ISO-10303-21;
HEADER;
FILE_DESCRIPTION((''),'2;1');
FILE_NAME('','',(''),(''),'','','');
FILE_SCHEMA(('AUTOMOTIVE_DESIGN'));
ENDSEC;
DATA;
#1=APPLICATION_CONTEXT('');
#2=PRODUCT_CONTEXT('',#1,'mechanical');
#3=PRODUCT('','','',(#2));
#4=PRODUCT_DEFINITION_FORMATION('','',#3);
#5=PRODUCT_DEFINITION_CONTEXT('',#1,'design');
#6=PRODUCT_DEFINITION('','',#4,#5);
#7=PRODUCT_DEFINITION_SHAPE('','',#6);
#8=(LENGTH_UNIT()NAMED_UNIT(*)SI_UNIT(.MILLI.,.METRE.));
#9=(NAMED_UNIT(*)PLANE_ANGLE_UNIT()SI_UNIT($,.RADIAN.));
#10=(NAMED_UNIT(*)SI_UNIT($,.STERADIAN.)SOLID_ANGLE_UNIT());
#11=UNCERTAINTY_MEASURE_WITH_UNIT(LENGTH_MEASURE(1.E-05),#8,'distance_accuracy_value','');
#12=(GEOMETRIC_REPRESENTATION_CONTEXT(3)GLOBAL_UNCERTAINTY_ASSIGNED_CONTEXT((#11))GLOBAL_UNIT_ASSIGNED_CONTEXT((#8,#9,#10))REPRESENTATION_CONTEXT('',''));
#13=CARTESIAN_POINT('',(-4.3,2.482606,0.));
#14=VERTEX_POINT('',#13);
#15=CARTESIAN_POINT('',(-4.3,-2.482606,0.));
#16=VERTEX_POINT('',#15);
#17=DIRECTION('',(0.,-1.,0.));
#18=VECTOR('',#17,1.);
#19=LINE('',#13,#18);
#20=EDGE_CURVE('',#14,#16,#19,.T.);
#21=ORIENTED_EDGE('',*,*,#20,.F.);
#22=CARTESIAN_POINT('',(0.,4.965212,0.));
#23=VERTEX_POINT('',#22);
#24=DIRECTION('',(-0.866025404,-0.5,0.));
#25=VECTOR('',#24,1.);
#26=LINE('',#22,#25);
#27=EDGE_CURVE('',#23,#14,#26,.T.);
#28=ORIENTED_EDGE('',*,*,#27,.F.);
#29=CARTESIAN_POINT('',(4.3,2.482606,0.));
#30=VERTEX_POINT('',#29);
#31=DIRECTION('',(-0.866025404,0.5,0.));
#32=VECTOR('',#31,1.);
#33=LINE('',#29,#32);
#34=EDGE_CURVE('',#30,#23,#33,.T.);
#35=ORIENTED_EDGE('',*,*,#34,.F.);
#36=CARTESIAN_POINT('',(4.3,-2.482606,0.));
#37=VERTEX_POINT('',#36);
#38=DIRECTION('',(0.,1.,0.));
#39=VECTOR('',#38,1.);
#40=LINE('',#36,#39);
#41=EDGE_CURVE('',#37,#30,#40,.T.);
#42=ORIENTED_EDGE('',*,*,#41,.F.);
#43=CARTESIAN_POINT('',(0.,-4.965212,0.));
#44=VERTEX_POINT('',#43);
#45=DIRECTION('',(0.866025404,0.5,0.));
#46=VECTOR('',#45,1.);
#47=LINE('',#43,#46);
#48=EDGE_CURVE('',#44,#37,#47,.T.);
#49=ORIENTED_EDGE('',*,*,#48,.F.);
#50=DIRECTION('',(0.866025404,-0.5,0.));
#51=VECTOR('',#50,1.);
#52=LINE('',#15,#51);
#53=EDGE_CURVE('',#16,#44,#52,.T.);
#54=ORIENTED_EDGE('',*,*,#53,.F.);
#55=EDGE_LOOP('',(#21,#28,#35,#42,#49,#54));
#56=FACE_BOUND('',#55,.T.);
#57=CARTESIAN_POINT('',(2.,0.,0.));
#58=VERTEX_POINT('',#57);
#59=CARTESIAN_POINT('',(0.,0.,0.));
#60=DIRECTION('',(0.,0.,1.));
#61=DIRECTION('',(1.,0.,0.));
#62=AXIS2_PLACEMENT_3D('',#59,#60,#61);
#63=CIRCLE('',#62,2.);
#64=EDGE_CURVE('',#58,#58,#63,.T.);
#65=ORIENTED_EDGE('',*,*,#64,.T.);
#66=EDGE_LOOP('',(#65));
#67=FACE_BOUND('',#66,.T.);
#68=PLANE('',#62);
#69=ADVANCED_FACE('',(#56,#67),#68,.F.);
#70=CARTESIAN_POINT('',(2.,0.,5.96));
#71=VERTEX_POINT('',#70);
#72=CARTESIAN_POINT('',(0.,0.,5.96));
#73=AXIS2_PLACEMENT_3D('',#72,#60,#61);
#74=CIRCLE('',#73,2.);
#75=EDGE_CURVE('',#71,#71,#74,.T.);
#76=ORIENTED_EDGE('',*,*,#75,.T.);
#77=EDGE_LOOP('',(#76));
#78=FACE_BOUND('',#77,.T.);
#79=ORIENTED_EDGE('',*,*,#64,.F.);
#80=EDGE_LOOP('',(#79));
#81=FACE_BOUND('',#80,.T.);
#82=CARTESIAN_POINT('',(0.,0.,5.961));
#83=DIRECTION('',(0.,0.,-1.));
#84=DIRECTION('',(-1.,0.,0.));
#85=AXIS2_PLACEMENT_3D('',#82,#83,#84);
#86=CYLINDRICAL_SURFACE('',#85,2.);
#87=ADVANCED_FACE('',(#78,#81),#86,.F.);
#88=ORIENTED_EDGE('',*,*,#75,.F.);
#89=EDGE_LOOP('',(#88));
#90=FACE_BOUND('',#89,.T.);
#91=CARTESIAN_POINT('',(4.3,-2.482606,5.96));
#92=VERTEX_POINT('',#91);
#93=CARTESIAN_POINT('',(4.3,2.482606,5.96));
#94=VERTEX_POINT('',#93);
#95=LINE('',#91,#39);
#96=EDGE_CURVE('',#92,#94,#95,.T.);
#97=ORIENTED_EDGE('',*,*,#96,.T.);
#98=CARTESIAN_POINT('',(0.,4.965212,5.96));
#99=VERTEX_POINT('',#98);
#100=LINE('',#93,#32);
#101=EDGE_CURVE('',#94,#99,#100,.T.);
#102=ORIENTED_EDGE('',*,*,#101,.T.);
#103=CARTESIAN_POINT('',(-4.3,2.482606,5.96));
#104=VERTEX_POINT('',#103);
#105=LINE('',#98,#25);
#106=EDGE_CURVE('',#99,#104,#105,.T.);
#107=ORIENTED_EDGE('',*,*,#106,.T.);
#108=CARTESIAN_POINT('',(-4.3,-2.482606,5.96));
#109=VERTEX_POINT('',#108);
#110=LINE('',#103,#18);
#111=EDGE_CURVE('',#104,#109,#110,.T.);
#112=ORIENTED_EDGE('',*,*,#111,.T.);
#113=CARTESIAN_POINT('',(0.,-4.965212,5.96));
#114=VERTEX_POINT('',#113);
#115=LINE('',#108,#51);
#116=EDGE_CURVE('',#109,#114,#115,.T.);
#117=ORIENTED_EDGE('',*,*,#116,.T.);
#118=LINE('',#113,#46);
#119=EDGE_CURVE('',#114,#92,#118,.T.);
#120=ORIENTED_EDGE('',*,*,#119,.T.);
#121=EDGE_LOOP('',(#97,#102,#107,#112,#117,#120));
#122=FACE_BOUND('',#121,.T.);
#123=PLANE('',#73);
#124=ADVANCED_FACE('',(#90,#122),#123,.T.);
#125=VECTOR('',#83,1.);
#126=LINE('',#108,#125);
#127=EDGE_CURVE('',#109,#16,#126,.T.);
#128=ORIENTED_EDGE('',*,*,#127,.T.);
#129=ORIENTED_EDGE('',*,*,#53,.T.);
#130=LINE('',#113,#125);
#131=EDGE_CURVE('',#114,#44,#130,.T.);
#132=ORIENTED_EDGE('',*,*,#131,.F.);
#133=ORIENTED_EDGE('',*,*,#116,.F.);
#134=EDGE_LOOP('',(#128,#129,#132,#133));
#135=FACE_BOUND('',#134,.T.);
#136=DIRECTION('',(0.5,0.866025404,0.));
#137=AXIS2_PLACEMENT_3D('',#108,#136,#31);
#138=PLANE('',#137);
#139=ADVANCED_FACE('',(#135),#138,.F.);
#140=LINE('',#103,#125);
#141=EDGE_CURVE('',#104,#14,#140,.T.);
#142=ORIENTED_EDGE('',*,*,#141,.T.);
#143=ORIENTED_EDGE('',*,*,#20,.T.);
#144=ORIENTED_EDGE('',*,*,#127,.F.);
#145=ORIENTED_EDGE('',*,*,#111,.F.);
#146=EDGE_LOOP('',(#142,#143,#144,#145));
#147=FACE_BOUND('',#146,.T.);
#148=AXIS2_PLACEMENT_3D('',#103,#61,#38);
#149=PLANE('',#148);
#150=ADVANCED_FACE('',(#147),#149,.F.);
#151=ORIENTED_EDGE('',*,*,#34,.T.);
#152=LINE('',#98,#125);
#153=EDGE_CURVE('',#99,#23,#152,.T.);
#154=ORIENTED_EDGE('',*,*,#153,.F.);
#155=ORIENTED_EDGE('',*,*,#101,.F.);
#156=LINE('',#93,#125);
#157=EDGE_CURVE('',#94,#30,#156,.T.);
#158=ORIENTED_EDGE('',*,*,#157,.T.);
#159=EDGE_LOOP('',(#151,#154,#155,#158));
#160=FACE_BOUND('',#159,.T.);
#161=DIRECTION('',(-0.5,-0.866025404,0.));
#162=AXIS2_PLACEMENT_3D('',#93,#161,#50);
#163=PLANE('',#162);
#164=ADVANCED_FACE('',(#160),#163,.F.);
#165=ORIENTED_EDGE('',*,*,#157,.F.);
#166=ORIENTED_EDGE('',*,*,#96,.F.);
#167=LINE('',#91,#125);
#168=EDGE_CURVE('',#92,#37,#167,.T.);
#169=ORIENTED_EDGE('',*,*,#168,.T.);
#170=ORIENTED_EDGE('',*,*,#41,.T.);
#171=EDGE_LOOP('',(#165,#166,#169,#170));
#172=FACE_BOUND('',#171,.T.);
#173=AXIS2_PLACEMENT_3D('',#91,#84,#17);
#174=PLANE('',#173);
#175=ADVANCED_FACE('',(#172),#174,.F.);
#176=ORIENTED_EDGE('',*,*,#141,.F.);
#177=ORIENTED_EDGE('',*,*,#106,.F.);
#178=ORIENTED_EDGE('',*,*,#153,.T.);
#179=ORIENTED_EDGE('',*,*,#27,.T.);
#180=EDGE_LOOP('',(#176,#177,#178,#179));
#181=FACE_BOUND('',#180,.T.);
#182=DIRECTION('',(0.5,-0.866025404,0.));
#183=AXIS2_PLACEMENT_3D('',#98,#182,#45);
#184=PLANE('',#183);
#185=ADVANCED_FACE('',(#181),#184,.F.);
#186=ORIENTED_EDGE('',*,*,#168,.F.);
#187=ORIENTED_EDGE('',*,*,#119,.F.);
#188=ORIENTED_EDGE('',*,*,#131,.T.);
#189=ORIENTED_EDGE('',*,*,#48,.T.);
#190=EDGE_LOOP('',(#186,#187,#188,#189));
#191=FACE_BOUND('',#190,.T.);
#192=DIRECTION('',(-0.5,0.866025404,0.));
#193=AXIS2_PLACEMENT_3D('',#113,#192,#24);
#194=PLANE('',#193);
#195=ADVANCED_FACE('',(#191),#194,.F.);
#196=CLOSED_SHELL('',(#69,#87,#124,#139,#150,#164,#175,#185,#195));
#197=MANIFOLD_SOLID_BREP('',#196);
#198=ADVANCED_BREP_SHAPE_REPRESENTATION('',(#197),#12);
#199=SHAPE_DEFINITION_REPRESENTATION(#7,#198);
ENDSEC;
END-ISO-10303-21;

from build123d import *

# Parameters (mm, degrees)
BOSS_EXTRUDE1_DEPTH = 5.96
CUT_EXTRUDE1_REACH  = 10.869
SKETCH2_R           = 2


with BuildPart() as part:
    # Sketch1 → Boss-Extrude1 (new body)
    with BuildSketch(Plane(origin=(0, 0, 0), x_dir=(0, 1, 0), z_dir=(0, 0, 1))):
        Polygon((4.965212315, 0), (2.482606158, 4.3), (-2.482606158, 4.3), (-4.965212315, 0), (-2.482606158, -4.3), (2.482606158, -4.3), align=None)
    extrude(amount=BOSS_EXTRUDE1_DEPTH)

    # Sketch2 → Cut-Extrude1 (cut, up to next)
    with BuildSketch(Plane(origin=(0, 0, 0), x_dir=(0, 1, 0), z_dir=(0, 0, 1)), mode=Mode.PRIVATE) as cut_extrude1_sk1:
        with Locations(Location((0, 0, 0), (0, 0, 270))):
            Circle(SKETCH2_R)
    cut_extrude1_tool1 = extrude(cut_extrude1_sk1.sketch, amount=CUT_EXTRUDE1_REACH, mode=Mode.PRIVATE) & part.part
    add(cut_extrude1_tool1.solids().sort_by_distance((0, 0, 0))[0], mode=Mode.SUBTRACT)


solid = part.part
